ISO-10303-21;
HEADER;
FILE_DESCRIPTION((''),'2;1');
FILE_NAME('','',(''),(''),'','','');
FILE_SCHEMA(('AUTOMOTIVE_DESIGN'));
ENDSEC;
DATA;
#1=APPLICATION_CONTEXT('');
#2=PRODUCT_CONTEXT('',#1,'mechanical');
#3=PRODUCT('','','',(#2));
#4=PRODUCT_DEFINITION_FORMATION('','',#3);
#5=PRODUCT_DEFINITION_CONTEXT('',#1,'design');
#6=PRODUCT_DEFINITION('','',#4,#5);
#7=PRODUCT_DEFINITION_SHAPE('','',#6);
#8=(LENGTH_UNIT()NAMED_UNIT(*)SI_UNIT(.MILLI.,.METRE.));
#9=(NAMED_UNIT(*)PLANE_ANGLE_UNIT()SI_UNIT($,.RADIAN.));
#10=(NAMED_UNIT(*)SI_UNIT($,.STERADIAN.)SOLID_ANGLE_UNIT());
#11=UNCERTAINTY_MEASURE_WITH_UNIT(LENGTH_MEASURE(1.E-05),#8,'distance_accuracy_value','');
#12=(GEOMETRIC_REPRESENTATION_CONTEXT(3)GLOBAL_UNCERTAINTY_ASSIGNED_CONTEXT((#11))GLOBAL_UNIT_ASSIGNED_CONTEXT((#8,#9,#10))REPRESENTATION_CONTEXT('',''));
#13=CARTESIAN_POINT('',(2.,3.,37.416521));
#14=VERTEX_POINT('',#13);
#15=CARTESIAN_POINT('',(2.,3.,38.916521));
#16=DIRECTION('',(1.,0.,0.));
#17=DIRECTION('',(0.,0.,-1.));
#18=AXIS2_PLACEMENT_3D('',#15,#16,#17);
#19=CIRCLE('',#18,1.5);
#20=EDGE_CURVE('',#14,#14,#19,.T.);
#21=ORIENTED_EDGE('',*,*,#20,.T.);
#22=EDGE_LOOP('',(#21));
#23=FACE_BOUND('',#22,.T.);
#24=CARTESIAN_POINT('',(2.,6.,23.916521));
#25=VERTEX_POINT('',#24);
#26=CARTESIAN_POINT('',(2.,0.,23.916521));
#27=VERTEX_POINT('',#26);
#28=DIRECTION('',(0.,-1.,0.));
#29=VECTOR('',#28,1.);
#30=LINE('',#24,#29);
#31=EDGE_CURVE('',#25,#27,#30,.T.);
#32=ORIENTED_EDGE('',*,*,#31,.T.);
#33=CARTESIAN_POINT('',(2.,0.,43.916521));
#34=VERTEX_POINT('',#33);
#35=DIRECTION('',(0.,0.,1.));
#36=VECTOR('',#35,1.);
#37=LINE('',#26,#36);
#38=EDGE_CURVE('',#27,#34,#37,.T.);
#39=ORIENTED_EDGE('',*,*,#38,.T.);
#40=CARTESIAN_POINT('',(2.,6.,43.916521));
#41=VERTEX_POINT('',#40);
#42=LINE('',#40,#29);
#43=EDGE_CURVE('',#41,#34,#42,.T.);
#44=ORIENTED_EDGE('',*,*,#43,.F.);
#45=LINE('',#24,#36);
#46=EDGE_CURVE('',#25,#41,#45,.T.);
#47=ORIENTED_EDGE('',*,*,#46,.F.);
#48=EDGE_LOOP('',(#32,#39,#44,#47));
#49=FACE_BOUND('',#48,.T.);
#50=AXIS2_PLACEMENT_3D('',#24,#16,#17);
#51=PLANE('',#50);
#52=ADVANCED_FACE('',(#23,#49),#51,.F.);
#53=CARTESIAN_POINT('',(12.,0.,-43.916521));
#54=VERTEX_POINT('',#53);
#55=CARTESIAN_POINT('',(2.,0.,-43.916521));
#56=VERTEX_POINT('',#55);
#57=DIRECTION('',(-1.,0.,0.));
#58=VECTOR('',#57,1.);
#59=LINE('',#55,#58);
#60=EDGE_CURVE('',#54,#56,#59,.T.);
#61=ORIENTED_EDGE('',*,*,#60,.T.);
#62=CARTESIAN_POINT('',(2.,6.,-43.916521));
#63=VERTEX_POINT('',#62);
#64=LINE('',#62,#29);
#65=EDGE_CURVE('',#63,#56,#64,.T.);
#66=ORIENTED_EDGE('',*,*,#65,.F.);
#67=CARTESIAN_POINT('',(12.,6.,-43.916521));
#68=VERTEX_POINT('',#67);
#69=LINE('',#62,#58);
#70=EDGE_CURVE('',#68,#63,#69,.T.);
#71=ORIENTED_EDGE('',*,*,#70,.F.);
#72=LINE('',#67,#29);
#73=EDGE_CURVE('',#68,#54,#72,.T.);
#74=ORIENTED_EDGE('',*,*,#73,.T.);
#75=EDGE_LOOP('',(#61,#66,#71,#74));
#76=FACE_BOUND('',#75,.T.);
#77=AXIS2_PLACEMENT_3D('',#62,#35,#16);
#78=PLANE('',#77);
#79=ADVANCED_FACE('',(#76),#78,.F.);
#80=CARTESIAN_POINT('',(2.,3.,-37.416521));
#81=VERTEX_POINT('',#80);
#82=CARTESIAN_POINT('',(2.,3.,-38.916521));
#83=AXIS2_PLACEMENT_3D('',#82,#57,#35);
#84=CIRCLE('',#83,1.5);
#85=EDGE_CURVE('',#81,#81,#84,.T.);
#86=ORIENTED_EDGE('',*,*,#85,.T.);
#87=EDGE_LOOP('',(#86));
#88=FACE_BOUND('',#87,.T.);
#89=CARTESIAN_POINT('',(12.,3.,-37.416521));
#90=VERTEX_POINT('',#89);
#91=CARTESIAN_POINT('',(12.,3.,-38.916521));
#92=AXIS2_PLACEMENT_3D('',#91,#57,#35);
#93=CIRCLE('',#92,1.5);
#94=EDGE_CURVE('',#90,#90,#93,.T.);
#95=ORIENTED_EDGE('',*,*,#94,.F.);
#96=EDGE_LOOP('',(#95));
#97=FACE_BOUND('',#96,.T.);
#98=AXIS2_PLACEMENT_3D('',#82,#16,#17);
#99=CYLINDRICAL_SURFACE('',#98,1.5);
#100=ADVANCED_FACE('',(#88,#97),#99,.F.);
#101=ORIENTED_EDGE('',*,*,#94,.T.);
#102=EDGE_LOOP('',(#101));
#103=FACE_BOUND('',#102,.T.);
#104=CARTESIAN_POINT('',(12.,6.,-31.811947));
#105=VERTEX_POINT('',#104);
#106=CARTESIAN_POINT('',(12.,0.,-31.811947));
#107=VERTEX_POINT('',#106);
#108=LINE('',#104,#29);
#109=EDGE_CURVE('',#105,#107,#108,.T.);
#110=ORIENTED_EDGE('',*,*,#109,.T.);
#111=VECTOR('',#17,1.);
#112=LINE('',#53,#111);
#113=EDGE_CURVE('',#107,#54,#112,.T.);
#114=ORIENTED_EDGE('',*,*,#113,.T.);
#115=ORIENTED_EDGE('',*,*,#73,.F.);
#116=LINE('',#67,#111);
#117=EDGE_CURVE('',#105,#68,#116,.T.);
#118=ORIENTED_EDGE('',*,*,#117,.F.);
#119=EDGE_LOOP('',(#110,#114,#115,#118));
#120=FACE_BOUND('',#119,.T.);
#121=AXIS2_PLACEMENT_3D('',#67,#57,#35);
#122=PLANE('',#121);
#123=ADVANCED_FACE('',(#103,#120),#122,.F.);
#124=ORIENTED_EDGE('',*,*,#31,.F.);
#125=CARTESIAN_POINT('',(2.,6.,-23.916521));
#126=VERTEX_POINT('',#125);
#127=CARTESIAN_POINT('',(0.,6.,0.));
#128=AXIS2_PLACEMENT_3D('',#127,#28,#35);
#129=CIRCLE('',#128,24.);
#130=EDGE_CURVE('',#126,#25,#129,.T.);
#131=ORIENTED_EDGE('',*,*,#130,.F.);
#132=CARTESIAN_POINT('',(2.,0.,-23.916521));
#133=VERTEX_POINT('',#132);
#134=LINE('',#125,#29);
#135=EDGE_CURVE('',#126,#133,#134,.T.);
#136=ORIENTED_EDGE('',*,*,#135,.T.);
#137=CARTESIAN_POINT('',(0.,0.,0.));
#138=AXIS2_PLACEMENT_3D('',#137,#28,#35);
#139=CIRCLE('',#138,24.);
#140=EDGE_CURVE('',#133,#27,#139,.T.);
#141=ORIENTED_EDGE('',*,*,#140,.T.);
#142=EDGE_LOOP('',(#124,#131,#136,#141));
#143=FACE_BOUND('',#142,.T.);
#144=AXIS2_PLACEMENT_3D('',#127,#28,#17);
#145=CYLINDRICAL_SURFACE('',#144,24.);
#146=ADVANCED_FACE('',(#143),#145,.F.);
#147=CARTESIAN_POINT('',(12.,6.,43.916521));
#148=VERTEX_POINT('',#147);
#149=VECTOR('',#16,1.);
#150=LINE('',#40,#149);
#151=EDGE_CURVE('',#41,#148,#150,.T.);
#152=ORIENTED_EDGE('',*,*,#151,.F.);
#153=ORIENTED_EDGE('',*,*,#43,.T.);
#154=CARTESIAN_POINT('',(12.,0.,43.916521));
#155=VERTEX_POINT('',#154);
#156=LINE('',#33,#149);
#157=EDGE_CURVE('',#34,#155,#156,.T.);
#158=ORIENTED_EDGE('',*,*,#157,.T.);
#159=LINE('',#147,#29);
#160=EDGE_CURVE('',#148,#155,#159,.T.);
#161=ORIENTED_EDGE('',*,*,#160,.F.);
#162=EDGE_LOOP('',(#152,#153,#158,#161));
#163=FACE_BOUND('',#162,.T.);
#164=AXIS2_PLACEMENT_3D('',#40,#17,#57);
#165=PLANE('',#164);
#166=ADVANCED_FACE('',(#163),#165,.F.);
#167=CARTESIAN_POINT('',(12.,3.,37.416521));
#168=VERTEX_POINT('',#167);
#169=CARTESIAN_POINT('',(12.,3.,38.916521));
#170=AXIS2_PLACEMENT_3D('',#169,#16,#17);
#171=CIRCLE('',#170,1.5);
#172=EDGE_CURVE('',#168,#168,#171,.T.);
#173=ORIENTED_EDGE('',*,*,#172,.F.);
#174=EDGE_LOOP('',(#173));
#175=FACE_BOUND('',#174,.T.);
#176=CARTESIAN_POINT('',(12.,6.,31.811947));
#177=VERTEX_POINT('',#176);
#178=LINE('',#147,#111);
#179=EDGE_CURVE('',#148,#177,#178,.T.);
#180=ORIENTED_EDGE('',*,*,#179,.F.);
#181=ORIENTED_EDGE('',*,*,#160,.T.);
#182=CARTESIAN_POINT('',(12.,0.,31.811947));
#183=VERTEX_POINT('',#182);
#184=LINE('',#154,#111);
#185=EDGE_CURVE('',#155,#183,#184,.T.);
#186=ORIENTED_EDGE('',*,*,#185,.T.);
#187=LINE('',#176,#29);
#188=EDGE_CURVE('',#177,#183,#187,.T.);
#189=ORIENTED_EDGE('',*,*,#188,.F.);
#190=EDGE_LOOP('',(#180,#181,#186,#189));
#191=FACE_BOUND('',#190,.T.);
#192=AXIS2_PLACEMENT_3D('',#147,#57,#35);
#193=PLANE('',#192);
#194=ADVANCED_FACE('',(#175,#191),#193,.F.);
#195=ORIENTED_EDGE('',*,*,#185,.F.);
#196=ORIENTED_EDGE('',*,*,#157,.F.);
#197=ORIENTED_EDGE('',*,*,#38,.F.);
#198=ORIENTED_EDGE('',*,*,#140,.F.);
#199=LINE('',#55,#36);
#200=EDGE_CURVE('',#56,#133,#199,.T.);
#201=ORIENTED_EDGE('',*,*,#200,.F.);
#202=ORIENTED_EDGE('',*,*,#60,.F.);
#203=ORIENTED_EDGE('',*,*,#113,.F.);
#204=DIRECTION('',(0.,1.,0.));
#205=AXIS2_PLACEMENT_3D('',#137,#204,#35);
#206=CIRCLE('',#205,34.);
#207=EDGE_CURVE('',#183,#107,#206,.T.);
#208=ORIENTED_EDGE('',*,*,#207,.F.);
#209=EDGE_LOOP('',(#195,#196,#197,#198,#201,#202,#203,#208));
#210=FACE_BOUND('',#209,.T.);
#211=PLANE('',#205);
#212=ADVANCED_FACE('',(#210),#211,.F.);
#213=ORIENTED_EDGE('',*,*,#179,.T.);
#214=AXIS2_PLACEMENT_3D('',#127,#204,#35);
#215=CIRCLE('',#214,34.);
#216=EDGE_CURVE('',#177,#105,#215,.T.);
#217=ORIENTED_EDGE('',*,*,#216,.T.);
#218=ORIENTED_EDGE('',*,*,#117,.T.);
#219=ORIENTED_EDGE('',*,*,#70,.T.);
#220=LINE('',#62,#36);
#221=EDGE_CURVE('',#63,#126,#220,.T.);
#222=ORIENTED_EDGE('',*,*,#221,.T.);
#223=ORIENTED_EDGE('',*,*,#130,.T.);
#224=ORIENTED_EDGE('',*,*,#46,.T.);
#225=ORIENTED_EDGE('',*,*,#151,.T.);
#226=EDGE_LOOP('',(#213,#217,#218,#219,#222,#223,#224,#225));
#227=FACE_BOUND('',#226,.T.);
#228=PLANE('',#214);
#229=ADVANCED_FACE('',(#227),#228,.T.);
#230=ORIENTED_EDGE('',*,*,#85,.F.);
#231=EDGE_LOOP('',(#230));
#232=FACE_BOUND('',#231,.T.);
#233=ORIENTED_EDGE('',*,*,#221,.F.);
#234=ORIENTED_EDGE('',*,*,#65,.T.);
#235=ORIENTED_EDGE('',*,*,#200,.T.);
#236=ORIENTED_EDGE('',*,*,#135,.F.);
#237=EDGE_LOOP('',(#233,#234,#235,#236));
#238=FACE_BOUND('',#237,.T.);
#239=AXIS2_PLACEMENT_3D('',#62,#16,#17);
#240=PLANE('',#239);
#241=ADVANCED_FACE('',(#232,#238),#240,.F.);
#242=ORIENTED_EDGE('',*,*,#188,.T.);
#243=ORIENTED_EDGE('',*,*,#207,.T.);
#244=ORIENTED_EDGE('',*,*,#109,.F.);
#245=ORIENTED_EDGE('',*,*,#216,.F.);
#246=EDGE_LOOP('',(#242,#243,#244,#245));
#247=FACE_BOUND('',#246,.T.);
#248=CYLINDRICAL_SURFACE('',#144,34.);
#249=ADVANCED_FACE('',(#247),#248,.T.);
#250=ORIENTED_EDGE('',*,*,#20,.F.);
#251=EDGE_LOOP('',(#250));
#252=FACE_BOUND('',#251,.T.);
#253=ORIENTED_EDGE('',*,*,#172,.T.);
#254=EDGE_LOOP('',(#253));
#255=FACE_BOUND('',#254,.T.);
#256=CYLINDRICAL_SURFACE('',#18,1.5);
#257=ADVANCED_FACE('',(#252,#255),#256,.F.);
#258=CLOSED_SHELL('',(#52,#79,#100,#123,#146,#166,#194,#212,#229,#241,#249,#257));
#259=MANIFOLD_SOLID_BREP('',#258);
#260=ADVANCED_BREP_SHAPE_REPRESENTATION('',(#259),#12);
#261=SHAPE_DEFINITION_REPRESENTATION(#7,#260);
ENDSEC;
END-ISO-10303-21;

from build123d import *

# Parameters (mm, degrees)
BOSS_EXTRUDE1_DEPTH = 6
SKETCH4_R           = 1.5
CUT_EXTRUDE3_DEPTH  = 11


with BuildPart() as part:
    # Sketch1 → Boss-Extrude1 (new body)
    with BuildSketch(Plane(origin=(0, 0, 0), x_dir=(1, 0, 0), z_dir=(0, 1, 0))):
        with BuildLine():
            Line((2, 43.916521486), (2, 23.916521486))
            ThreePointArc((2, 23.916521486), (24, 0), (2, -23.916521486))
            Line((2, -23.916521486), (2, -43.916521486))
            Line((2, -43.916521486), (12, -43.916521486))
            Line((12, -43.916521486), (12, -31.811947441))
            ThreePointArc((12, -31.811947441), (28.791009913, -18.085290934), (33.867388444, 3))
            ThreePointArc((33.867388444, 3), (27.082954224, 20.55513538), (12, 31.811947441))
            Line((12, 31.811947441), (12, 43.916521486))
            Line((12, 43.916521486), (2, 43.916521486))
        make_face()
    extrude(amount=BOSS_EXTRUDE1_DEPTH)

    # Sketch4 → Cut-Extrude3 (cut, through all)
    with BuildSketch(Plane(origin=(12, 0, 0), x_dir=(0, 0, -1), z_dir=(1, 0, 0))):
        with Locations((-38.916521486, 3)):
            Circle(SKETCH4_R)
    cut_extrude3 = extrude(amount=-CUT_EXTRUDE3_DEPTH, mode=Mode.SUBTRACT)

    # Mirror1: Cut-Extrude3 across plane
    add(cut_extrude3.mirror(Plane.XY), mode=Mode.SUBTRACT)


solid = part.part
